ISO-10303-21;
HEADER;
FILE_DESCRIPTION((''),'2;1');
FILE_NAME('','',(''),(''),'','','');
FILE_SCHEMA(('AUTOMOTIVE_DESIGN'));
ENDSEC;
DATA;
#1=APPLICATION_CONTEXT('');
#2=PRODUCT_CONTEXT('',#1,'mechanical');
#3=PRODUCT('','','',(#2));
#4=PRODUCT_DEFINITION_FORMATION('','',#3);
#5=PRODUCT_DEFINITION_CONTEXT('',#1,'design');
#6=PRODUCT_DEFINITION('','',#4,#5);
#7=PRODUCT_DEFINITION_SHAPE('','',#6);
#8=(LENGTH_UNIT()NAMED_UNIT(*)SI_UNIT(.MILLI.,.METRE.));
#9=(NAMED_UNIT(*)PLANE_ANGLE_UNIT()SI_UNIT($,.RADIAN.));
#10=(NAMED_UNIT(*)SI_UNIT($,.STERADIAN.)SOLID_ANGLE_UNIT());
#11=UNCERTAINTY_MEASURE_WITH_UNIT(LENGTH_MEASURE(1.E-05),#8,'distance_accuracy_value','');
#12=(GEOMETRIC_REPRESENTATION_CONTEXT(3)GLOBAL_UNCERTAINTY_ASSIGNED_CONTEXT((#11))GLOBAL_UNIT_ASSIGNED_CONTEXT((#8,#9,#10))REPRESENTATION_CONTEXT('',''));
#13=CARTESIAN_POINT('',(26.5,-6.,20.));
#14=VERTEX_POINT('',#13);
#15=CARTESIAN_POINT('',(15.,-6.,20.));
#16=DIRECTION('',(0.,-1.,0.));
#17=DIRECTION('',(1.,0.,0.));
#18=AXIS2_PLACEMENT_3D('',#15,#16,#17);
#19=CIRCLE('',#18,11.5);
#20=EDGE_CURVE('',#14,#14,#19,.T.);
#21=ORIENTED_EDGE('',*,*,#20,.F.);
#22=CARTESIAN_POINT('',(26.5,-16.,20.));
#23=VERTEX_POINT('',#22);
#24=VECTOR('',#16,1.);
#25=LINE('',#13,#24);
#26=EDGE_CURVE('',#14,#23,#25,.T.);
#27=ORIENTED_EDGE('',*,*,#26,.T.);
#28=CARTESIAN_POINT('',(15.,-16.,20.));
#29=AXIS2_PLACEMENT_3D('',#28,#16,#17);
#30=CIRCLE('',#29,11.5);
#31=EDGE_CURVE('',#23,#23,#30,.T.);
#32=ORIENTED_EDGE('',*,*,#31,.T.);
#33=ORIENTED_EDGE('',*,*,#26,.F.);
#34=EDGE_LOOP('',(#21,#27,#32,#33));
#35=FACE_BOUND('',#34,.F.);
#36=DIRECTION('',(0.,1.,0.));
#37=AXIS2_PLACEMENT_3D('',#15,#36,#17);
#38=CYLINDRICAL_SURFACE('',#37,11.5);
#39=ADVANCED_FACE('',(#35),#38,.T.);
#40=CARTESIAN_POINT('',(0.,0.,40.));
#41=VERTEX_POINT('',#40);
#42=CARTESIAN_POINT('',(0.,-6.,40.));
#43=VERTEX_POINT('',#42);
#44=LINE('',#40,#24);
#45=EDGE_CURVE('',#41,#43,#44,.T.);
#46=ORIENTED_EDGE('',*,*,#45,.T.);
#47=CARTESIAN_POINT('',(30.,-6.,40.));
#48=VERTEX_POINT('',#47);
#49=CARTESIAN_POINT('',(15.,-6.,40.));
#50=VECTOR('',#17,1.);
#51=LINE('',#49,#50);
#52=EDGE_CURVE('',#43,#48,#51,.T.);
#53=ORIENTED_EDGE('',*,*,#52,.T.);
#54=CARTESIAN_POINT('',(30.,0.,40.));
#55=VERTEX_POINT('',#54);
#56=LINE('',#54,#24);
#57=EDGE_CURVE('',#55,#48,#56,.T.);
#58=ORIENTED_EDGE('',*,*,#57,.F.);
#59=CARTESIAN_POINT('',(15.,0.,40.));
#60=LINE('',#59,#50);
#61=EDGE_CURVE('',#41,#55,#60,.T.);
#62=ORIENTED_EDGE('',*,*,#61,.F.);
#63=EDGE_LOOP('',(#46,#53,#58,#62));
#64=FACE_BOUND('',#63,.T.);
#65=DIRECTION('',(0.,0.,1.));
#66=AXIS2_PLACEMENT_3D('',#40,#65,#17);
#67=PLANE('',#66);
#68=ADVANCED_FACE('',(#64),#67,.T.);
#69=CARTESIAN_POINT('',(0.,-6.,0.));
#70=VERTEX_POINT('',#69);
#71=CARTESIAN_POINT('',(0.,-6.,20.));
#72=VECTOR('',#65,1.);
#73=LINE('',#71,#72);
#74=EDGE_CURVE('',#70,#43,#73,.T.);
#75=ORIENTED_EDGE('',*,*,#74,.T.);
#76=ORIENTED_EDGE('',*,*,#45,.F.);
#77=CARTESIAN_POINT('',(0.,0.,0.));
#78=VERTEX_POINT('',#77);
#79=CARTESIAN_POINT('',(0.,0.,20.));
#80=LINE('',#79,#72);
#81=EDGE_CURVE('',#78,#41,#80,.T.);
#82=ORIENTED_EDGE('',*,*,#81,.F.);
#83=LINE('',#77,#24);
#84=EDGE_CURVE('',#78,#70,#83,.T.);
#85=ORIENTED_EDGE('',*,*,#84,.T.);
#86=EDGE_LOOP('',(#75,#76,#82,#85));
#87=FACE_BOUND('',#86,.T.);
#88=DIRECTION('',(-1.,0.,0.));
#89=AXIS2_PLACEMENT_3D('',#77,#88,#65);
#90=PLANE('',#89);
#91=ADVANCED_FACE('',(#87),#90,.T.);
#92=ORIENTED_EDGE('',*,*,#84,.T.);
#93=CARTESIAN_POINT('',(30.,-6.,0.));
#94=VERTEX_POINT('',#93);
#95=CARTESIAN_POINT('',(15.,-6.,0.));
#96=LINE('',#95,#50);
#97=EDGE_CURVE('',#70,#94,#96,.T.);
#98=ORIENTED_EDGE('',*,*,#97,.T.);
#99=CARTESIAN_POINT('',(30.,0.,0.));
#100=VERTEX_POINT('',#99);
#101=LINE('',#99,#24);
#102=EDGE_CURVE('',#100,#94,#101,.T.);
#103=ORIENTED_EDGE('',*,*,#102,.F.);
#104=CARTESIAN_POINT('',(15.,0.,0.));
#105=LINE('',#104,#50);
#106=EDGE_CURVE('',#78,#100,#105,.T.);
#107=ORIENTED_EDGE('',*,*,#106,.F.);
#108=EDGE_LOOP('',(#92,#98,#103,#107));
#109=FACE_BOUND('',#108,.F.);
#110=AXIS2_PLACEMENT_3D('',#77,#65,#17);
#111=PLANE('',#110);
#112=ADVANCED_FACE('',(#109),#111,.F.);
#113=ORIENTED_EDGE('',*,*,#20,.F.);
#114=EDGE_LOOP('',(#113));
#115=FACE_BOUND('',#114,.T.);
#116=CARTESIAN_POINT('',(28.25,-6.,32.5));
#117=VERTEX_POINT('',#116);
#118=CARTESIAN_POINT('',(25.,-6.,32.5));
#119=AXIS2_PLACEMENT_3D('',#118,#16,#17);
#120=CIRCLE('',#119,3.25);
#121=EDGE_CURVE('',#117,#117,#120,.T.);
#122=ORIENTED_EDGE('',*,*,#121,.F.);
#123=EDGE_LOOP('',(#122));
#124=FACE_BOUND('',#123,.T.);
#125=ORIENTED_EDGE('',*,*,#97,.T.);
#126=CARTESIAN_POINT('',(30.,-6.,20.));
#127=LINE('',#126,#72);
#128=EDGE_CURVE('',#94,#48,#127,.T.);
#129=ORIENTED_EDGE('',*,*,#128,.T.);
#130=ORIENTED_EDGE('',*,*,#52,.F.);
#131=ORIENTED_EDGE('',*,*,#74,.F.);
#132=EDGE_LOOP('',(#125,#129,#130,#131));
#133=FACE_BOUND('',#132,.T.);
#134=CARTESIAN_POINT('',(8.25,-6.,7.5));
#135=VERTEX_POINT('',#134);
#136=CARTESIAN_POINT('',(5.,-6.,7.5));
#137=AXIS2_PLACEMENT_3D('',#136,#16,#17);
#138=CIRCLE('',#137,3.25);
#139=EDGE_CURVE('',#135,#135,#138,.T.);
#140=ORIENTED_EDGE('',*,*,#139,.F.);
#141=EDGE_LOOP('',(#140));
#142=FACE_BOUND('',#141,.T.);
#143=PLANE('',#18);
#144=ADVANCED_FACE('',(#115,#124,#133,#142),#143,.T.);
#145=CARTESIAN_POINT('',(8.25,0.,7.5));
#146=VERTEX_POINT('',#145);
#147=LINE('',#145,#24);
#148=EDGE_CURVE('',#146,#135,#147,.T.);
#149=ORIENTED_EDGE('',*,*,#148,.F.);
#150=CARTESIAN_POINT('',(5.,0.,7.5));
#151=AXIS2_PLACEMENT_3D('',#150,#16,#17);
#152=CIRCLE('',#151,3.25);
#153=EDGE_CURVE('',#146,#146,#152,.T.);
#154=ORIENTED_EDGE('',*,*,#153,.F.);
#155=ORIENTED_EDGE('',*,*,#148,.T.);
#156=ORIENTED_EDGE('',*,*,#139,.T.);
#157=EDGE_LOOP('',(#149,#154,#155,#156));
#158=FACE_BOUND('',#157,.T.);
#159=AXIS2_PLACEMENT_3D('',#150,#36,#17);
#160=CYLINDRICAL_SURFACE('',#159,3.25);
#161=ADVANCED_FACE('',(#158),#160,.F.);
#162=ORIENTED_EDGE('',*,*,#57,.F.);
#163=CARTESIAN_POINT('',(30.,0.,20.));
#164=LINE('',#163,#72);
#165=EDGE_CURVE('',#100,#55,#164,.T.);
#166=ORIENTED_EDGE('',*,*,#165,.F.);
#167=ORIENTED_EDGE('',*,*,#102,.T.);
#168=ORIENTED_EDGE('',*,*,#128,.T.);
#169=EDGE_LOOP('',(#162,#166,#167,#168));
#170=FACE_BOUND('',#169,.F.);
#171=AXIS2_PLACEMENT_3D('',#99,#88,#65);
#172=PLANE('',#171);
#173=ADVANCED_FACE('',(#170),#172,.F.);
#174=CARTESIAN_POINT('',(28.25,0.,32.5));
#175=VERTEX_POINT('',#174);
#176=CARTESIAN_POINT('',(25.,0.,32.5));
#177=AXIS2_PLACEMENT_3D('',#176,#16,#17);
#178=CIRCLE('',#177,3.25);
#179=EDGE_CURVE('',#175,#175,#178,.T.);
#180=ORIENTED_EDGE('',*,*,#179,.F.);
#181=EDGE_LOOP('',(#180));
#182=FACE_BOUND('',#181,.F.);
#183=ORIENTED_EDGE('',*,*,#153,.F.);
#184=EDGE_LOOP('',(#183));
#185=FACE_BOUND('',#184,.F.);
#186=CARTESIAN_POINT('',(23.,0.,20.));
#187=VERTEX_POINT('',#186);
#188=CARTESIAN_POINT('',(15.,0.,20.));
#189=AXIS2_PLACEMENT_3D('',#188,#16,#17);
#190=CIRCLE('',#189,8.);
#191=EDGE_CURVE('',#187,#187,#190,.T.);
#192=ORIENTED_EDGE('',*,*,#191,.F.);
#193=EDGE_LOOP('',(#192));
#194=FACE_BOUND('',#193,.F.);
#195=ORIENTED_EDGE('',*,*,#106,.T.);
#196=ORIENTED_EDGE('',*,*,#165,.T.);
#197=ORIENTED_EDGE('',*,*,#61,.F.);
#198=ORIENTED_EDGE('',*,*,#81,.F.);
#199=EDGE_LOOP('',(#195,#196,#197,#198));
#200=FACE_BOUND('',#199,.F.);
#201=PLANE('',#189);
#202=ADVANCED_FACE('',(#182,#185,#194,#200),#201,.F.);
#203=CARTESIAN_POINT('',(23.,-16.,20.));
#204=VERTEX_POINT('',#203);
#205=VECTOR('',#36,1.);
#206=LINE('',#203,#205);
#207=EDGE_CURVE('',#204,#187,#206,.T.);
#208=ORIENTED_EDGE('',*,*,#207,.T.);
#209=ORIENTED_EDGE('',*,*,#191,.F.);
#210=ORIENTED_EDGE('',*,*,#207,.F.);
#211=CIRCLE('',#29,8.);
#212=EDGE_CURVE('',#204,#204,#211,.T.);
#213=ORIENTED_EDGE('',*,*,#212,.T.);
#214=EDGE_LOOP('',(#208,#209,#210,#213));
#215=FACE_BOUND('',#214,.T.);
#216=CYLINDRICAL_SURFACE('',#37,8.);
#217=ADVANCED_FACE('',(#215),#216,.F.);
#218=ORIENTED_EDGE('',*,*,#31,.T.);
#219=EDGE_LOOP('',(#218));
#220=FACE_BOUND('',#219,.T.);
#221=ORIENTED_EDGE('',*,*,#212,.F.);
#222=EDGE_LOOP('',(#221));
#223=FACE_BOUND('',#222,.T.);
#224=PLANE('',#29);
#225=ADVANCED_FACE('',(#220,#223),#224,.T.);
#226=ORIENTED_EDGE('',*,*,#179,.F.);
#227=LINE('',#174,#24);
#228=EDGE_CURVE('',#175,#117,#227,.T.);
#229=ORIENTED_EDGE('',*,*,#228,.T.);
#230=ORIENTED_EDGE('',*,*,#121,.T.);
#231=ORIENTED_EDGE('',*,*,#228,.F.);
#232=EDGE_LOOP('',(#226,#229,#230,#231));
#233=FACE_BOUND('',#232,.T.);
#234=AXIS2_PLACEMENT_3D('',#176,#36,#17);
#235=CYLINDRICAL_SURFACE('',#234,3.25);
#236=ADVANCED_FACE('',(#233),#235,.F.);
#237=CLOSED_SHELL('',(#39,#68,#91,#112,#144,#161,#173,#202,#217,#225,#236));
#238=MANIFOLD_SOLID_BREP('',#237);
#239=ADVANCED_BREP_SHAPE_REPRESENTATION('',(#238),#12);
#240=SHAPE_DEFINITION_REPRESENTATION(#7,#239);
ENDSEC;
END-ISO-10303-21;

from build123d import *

# Parameters (mm, degrees)
F0_W     = 30
F0_H     = 40
F0_R     = 3.25
F0_R_2   = 8
F1_DEPTH = 6
F2_R     = 11.5
F2_R_2   = 8
F3_DEPTH = 10


with BuildPart() as f1:
    # F0 (on Front) → F1 (new body)
    with BuildSketch(Plane.XZ):
        with Locations((15, 20)):
            Rectangle(F0_W, F0_H)
        with Locations((5, 7.5)):
            Circle(F0_R, mode=Mode.SUBTRACT)
        with Locations((15, 20)):
            Circle(F0_R_2, mode=Mode.SUBTRACT)
        with Locations((25, 32.5)):
            Circle(F0_R, mode=Mode.SUBTRACT)
    extrude(amount=F1_DEPTH)

    # F2 (on face) → F3 (join)
    with BuildSketch(Plane.XZ.offset(6)):
        with Locations((15, 20)):
            Circle(F2_R)
        with Locations((15, 20)):
            Circle(F2_R_2, mode=Mode.SUBTRACT)
    extrude(amount=F3_DEPTH)


solid = f1.part
